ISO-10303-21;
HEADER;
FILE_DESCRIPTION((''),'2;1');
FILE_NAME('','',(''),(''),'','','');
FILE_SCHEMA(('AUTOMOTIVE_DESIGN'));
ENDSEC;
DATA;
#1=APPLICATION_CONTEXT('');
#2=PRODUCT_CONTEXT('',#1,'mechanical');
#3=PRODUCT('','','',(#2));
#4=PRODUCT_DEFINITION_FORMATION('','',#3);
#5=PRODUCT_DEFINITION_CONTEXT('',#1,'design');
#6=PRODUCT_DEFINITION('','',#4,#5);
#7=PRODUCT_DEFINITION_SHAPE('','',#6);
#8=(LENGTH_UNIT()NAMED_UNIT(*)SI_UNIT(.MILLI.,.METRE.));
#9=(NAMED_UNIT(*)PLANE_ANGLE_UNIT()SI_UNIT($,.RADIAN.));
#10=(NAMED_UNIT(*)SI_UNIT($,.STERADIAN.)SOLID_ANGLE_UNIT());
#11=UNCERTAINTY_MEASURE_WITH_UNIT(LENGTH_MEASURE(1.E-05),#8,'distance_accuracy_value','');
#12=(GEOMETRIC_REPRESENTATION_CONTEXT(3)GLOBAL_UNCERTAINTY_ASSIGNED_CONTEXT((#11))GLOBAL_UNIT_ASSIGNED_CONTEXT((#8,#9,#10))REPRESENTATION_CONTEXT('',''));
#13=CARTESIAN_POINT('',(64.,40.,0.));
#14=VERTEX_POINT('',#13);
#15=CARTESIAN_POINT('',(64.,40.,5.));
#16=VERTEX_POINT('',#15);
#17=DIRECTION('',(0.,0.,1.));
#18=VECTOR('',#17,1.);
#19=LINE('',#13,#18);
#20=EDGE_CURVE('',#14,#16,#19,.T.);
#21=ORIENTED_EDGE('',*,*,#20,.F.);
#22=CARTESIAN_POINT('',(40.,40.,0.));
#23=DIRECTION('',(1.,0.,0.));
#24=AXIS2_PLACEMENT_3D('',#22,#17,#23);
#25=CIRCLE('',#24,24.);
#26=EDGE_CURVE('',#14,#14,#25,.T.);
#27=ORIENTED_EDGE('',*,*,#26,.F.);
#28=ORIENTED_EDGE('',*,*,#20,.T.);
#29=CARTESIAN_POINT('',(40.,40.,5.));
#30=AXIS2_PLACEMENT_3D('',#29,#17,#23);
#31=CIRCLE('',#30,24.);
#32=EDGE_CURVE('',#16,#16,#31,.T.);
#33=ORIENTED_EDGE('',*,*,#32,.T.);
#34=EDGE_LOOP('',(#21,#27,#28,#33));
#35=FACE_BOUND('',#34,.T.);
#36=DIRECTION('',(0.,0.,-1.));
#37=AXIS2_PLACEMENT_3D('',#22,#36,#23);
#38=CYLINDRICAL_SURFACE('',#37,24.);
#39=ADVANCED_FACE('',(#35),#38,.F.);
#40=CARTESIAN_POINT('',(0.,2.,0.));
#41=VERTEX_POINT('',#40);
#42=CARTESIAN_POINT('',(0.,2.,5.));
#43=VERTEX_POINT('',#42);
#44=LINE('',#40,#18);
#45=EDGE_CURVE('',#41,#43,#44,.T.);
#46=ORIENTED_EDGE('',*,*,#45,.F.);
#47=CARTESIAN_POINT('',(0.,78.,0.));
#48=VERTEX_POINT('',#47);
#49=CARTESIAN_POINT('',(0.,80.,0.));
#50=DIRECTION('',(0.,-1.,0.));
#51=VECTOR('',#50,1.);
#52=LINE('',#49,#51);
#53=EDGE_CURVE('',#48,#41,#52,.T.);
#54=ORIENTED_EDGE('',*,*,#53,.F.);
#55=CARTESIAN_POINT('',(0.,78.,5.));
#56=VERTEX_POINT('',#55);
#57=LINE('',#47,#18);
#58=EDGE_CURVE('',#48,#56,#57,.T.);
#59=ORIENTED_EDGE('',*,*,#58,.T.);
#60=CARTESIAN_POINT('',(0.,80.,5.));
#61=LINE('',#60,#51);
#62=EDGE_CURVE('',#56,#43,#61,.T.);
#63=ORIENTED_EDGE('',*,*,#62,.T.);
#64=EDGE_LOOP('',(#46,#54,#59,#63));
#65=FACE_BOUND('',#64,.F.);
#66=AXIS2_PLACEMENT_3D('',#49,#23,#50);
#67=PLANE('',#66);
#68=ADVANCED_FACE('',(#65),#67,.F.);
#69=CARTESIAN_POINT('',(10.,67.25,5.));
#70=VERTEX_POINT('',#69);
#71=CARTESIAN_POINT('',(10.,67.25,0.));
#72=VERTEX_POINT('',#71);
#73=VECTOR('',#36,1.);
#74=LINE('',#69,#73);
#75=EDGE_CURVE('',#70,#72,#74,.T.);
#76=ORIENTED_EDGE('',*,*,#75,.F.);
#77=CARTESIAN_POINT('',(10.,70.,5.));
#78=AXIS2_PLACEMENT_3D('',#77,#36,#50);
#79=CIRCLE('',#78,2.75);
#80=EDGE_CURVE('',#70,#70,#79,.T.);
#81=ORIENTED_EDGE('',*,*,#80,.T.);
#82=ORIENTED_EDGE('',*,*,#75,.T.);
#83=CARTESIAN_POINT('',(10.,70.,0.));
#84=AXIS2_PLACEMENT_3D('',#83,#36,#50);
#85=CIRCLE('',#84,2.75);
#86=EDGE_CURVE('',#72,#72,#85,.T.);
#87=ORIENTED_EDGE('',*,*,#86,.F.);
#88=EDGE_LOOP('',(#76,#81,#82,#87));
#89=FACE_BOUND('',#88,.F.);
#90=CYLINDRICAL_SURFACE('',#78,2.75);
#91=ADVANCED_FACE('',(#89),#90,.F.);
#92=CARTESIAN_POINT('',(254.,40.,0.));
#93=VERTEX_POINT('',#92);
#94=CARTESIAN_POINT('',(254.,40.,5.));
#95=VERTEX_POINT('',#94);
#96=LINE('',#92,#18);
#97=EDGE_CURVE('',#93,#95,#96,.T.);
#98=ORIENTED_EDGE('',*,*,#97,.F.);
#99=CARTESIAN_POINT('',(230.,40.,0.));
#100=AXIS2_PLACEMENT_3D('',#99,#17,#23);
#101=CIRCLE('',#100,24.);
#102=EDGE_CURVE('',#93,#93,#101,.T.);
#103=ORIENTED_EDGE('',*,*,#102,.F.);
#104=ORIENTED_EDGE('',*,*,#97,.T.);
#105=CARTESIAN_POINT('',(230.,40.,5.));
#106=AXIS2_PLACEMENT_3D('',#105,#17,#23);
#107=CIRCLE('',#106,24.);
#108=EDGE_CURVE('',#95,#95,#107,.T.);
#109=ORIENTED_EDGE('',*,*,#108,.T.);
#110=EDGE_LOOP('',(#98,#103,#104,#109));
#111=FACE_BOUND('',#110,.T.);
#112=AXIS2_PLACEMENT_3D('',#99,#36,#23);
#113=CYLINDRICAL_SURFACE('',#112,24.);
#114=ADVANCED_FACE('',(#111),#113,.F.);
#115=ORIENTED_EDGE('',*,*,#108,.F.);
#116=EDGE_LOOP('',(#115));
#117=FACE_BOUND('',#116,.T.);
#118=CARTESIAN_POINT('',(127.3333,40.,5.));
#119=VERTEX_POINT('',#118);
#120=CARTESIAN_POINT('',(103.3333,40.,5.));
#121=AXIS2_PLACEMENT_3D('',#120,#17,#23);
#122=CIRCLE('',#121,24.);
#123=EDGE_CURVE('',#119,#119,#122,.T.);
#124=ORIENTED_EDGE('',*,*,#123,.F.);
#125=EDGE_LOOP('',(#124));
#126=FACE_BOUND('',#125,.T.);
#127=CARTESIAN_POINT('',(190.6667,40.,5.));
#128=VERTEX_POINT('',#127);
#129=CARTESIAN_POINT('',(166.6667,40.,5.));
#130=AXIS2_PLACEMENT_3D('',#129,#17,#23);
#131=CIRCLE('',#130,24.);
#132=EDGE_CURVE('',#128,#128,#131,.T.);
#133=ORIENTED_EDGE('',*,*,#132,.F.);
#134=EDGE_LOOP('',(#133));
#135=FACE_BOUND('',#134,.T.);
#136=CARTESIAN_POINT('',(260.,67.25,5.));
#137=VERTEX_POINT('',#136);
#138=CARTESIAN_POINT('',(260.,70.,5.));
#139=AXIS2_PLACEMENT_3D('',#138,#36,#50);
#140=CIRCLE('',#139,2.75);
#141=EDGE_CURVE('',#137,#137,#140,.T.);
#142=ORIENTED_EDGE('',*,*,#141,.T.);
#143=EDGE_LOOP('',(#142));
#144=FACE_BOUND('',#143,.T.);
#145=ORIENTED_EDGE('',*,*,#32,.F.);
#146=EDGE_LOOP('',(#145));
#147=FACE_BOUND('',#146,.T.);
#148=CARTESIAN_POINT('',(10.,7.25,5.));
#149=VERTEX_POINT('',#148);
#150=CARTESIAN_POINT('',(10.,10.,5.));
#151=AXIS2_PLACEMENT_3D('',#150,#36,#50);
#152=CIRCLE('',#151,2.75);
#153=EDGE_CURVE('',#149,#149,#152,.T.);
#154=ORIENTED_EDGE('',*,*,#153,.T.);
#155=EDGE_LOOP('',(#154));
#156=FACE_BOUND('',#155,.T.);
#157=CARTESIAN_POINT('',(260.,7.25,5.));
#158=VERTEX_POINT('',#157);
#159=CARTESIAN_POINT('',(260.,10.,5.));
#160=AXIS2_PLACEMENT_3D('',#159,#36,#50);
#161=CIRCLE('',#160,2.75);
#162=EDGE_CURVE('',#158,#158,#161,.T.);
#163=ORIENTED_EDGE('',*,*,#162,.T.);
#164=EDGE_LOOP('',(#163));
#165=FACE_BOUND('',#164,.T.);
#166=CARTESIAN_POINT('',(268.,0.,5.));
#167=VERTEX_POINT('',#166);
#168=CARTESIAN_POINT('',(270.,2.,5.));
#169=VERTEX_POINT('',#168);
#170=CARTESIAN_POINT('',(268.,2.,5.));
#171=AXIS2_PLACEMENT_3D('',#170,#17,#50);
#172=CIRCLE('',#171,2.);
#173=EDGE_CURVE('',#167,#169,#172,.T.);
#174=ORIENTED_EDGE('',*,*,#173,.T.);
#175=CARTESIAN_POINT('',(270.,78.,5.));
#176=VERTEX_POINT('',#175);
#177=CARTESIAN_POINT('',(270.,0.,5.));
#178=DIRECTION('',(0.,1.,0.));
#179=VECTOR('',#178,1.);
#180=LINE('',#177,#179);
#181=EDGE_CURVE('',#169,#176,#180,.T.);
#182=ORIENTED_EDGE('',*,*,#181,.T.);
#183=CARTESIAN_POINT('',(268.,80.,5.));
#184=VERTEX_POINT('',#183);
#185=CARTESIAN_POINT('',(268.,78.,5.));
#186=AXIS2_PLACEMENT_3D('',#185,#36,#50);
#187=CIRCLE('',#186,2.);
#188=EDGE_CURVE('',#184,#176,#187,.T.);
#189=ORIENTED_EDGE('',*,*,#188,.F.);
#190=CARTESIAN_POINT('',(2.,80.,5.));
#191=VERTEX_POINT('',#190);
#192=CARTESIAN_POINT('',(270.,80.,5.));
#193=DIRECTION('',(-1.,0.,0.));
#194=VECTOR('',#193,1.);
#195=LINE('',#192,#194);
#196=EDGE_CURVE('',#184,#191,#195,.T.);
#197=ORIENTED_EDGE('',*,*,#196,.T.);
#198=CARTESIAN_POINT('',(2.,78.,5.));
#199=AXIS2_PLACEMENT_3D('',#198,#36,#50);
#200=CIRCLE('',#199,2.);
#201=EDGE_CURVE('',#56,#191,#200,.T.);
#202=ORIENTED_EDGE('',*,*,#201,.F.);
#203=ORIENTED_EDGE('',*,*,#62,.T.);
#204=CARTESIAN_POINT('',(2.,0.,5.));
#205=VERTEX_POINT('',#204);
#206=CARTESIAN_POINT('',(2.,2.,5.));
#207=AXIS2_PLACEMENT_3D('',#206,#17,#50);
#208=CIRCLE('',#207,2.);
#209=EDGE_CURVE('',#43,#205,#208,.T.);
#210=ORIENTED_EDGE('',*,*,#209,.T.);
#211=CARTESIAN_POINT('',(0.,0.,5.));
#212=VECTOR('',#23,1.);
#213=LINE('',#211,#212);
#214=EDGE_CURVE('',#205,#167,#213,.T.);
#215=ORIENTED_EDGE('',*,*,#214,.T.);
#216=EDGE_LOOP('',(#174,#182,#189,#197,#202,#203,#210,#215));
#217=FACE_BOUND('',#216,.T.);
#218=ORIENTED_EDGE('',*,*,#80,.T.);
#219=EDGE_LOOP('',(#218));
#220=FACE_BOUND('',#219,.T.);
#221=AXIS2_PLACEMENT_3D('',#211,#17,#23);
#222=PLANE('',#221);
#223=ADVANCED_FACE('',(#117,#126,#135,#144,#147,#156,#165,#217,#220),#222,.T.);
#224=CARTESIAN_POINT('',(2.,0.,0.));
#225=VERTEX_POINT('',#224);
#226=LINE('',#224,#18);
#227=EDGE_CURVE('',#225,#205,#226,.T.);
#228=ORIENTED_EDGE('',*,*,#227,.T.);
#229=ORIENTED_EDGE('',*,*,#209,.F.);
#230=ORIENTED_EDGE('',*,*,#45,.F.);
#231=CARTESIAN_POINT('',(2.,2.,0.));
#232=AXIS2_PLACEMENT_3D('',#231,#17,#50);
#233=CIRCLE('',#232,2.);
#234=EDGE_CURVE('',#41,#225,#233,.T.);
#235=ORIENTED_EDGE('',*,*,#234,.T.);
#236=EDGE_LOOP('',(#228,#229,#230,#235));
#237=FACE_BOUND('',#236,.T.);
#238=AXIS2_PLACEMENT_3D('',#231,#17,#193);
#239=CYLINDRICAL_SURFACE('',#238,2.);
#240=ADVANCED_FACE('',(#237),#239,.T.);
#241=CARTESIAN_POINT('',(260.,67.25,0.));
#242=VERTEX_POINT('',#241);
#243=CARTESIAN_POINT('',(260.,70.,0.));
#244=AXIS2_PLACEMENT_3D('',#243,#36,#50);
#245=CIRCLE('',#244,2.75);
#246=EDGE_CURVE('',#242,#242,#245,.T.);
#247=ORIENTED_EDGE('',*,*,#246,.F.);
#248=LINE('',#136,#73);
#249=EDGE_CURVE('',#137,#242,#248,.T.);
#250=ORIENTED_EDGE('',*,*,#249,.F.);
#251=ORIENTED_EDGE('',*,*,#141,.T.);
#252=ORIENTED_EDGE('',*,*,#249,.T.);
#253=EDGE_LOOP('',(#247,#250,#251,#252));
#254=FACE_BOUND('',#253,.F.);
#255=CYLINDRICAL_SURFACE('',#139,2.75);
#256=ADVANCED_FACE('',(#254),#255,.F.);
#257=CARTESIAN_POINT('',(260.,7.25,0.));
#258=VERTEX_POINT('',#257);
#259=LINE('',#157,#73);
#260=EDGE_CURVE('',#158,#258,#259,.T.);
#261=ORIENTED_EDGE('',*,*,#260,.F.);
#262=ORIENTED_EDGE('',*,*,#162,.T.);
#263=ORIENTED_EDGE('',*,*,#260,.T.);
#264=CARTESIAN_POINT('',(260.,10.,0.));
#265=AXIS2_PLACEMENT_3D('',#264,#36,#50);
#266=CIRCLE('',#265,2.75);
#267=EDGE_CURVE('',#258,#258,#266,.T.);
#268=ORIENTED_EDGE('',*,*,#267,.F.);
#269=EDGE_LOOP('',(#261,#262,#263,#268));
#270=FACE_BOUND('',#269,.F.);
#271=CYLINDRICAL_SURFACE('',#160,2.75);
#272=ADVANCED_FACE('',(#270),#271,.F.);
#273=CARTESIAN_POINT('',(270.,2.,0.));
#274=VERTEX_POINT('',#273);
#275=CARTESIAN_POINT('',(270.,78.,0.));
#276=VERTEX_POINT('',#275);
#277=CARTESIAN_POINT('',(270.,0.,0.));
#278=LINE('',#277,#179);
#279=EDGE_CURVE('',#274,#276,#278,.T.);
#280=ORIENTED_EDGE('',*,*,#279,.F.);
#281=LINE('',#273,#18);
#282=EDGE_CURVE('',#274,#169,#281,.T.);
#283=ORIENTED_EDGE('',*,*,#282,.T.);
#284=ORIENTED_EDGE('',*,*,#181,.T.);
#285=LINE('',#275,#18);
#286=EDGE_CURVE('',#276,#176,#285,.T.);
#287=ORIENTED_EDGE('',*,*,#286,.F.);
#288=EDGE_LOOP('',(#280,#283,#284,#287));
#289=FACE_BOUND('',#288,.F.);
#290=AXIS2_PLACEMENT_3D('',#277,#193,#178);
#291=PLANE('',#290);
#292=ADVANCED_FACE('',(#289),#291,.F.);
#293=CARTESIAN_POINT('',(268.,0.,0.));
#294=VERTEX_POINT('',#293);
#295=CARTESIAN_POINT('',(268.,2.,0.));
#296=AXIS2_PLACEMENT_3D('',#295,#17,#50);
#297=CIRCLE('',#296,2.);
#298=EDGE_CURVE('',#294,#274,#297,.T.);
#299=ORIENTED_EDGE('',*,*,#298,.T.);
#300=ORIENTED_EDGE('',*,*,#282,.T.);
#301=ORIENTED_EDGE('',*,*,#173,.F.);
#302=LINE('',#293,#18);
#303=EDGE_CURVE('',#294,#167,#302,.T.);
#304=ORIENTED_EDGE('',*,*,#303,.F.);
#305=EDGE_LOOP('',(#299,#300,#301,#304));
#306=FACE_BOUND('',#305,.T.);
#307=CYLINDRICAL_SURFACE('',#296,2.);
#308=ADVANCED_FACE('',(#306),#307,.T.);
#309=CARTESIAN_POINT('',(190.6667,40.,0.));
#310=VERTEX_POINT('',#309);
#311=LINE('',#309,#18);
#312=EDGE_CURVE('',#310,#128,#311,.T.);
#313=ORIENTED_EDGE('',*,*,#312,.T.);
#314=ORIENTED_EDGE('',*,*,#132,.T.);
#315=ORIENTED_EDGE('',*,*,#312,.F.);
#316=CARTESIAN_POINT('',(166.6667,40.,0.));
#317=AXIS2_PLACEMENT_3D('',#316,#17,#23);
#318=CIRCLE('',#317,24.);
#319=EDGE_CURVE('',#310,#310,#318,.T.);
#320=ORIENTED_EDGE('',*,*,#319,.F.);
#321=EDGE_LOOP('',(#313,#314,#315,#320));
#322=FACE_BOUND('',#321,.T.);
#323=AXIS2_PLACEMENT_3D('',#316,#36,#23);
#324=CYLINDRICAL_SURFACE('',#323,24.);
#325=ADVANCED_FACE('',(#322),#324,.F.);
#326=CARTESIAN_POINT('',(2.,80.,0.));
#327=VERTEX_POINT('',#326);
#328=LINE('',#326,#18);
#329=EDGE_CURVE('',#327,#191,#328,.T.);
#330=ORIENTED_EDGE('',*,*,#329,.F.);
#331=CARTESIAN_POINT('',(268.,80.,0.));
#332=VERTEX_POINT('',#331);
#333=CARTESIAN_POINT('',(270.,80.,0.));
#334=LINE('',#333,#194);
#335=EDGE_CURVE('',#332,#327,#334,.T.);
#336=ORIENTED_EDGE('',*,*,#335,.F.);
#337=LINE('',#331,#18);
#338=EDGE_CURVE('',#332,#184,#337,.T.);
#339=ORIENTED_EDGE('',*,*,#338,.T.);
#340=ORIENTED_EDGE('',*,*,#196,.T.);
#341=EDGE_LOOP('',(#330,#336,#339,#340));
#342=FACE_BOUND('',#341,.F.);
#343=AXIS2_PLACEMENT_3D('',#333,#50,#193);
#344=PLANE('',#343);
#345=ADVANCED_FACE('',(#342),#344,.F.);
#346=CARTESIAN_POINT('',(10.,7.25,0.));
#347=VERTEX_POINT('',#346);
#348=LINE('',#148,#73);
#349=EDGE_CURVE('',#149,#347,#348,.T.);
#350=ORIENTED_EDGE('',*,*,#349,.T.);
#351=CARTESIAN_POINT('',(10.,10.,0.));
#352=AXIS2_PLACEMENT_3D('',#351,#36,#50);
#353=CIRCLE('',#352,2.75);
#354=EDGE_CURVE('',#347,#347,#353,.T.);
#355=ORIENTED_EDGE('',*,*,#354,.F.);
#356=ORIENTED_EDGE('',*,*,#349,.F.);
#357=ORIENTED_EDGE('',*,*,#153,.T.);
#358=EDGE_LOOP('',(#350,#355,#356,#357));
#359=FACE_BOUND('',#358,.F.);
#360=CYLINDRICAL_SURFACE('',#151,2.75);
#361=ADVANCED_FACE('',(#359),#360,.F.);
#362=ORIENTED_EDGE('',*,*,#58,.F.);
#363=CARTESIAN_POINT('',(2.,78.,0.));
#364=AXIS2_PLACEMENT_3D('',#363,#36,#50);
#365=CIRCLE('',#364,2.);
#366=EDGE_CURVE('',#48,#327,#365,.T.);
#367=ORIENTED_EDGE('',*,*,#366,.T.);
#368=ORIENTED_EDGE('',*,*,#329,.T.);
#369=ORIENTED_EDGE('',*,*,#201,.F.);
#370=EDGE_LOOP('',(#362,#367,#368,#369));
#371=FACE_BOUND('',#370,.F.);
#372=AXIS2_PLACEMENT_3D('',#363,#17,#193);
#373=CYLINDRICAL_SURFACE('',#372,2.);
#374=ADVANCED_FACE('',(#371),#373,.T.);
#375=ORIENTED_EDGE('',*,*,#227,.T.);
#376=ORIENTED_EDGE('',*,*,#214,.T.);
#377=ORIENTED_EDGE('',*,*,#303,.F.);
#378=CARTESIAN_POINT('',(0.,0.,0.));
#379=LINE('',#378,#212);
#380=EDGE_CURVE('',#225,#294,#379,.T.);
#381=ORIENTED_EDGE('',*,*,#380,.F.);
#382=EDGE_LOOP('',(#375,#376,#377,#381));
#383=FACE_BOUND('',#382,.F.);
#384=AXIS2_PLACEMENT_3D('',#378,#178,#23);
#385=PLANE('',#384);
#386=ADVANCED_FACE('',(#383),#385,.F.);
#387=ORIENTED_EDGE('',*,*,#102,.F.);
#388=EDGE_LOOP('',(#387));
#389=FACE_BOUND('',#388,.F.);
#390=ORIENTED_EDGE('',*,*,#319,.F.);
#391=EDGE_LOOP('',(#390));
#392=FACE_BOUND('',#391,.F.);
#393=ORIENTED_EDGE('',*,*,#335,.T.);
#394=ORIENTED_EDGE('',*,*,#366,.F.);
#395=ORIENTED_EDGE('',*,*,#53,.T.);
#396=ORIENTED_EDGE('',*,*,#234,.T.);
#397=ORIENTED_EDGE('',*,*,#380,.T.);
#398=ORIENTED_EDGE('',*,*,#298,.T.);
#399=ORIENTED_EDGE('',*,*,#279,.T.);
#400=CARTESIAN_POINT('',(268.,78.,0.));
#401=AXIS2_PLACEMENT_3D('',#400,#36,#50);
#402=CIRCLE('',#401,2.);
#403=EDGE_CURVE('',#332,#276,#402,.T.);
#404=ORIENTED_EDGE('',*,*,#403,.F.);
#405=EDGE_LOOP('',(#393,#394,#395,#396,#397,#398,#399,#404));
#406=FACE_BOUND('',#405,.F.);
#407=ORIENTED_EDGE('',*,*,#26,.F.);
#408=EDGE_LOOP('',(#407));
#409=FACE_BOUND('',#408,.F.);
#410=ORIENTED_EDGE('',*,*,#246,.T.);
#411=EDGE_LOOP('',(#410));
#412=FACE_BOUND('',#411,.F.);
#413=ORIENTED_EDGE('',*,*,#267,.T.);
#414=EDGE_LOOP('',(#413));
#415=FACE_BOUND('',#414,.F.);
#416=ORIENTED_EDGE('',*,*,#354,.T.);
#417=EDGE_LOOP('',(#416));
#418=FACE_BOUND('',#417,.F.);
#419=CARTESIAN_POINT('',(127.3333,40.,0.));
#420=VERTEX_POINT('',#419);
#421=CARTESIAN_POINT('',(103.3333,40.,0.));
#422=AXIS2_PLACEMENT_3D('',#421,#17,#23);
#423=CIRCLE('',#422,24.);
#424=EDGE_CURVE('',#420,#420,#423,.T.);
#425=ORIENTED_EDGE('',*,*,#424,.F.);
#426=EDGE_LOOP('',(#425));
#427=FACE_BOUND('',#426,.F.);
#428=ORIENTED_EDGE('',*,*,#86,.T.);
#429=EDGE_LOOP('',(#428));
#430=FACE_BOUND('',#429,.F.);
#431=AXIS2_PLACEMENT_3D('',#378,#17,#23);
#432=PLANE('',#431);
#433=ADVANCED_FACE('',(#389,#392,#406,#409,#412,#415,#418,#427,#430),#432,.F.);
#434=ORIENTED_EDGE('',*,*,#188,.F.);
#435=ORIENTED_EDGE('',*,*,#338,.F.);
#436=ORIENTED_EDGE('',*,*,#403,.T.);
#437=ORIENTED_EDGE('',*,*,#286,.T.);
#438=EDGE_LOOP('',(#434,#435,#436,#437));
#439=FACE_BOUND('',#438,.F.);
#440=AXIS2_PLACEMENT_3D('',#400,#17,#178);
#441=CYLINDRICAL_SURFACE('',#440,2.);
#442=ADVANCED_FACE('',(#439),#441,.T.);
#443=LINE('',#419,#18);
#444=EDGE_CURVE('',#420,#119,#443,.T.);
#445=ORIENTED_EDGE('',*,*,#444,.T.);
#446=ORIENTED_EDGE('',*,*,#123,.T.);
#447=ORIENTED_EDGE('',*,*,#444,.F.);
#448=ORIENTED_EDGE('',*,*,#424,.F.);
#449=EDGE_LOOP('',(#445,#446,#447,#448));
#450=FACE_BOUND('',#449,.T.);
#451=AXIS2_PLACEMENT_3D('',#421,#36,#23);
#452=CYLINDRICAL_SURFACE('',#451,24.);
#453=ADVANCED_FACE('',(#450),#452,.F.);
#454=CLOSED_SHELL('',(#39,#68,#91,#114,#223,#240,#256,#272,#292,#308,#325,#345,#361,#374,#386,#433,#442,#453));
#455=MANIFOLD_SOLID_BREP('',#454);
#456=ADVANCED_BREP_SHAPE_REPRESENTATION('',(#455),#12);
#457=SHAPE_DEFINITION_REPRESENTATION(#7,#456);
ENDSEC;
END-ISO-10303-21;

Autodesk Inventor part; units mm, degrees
ref_plane "YZ Plane" through (0, 0, 0) normal (1, 0, 0) x (0, 1, 0)
ref_plane "XZ Plane" through (0, 0, 0) normal (0, 1, 0) x (-1, 0, 0)
ref_plane "XY Plane" through (0, 0, 0) normal (0, 0, 1) x (1, 0, 0)
sketch "Sketch1" plane through (0, 0, 0) normal (0, 0, 1) x (1, 0, 0)
  line L0 (0, 0) -> (270, 0)
  line L1 (270, 0) -> (270, 80)
  line L2 (270, 80) -> (0, 80)
  line L3 (0, 80) -> (0, 0)
  circle A0 centre (40, 40) radius 24
  circle A1 centre (103.3333, 40) radius 24
  circle A2 centre (166.6667, 40) radius 24
  circle A3 centre (230, 40) radius 24
  dimension "d0" = 270
  dimension "d1" = 80
  dimension "d2" = 40
  dimension "d3" = 63.3333
  dimension "d4" = 63.3333
  dimension "d5" = 63.3333
  dimension "d6" = 48
  dimension "d7" = 48
  dimension "d8" = 48
  dimension "d9" = 48
extrude "Extrusion1" add sketch "Sketch1" along normal blind 5
sketch "Sketch2" plane through (0, 0, 5) normal (0, 0, 1) x (1, 0, 0)
  circle A0 centre (10, 70) radius 2.75
  circle A1 centre (260, 70) radius 2.75
  circle A2 centre (260, 10) radius 2.75
  circle A3 centre (10, 10) radius 2.75
  line L0 (270, 80) -> (0, 80) projected
  line L1 (0, 80) -> (0, 0) projected
  line L2 (0, 0) -> (270, 0) projected
  line L3 (270, 0) -> (270, 80) projected
  dimension "d12" = 10
  dimension "d13" = 10
  dimension "d14" = 10
  dimension "d15" = 10
  dimension "d16" = 10
  dimension "d17" = 10
  dimension "d18" = 10
  dimension "d19" = 10
  dimension "d20" = 5.5
  dimension "d21" = 5.5
  dimension "d22" = 5.5
  dimension "d23" = 5.5
hole "Hole1" at (10, 70, 5) at (260, 70, 5) at (260, 10, 5) at (10, 10, 5) direction (0, 0, -1) diameter 5.5 end through all
fillet "Fillet1" radius 2 4 edges at (0, 0, 2.5) (270, 0, 2.5) (270, 80, 2.5) (0, 80, 2.5)
equation "\"d4\" = d3"
equation "\"d5\" = d3"
equation "\"d7\" = d6"
equation "\"d8\" = d6"
equation "\"d9\" = d6"
equation "\"d13\" = d12"
equation "\"d14\" = d12"
equation "\"d15\" = d12"
equation "\"d16\" = d12"
equation "\"d17\" = d12"
equation "\"d18\" = d12"
equation "\"d19\" = d12"
equation "\"d21\" = d20"
equation "\"d22\" = d20"
equation "\"d23\" = d20"
equation "\"d24\" = d20"
properties part number "TopPlates"
